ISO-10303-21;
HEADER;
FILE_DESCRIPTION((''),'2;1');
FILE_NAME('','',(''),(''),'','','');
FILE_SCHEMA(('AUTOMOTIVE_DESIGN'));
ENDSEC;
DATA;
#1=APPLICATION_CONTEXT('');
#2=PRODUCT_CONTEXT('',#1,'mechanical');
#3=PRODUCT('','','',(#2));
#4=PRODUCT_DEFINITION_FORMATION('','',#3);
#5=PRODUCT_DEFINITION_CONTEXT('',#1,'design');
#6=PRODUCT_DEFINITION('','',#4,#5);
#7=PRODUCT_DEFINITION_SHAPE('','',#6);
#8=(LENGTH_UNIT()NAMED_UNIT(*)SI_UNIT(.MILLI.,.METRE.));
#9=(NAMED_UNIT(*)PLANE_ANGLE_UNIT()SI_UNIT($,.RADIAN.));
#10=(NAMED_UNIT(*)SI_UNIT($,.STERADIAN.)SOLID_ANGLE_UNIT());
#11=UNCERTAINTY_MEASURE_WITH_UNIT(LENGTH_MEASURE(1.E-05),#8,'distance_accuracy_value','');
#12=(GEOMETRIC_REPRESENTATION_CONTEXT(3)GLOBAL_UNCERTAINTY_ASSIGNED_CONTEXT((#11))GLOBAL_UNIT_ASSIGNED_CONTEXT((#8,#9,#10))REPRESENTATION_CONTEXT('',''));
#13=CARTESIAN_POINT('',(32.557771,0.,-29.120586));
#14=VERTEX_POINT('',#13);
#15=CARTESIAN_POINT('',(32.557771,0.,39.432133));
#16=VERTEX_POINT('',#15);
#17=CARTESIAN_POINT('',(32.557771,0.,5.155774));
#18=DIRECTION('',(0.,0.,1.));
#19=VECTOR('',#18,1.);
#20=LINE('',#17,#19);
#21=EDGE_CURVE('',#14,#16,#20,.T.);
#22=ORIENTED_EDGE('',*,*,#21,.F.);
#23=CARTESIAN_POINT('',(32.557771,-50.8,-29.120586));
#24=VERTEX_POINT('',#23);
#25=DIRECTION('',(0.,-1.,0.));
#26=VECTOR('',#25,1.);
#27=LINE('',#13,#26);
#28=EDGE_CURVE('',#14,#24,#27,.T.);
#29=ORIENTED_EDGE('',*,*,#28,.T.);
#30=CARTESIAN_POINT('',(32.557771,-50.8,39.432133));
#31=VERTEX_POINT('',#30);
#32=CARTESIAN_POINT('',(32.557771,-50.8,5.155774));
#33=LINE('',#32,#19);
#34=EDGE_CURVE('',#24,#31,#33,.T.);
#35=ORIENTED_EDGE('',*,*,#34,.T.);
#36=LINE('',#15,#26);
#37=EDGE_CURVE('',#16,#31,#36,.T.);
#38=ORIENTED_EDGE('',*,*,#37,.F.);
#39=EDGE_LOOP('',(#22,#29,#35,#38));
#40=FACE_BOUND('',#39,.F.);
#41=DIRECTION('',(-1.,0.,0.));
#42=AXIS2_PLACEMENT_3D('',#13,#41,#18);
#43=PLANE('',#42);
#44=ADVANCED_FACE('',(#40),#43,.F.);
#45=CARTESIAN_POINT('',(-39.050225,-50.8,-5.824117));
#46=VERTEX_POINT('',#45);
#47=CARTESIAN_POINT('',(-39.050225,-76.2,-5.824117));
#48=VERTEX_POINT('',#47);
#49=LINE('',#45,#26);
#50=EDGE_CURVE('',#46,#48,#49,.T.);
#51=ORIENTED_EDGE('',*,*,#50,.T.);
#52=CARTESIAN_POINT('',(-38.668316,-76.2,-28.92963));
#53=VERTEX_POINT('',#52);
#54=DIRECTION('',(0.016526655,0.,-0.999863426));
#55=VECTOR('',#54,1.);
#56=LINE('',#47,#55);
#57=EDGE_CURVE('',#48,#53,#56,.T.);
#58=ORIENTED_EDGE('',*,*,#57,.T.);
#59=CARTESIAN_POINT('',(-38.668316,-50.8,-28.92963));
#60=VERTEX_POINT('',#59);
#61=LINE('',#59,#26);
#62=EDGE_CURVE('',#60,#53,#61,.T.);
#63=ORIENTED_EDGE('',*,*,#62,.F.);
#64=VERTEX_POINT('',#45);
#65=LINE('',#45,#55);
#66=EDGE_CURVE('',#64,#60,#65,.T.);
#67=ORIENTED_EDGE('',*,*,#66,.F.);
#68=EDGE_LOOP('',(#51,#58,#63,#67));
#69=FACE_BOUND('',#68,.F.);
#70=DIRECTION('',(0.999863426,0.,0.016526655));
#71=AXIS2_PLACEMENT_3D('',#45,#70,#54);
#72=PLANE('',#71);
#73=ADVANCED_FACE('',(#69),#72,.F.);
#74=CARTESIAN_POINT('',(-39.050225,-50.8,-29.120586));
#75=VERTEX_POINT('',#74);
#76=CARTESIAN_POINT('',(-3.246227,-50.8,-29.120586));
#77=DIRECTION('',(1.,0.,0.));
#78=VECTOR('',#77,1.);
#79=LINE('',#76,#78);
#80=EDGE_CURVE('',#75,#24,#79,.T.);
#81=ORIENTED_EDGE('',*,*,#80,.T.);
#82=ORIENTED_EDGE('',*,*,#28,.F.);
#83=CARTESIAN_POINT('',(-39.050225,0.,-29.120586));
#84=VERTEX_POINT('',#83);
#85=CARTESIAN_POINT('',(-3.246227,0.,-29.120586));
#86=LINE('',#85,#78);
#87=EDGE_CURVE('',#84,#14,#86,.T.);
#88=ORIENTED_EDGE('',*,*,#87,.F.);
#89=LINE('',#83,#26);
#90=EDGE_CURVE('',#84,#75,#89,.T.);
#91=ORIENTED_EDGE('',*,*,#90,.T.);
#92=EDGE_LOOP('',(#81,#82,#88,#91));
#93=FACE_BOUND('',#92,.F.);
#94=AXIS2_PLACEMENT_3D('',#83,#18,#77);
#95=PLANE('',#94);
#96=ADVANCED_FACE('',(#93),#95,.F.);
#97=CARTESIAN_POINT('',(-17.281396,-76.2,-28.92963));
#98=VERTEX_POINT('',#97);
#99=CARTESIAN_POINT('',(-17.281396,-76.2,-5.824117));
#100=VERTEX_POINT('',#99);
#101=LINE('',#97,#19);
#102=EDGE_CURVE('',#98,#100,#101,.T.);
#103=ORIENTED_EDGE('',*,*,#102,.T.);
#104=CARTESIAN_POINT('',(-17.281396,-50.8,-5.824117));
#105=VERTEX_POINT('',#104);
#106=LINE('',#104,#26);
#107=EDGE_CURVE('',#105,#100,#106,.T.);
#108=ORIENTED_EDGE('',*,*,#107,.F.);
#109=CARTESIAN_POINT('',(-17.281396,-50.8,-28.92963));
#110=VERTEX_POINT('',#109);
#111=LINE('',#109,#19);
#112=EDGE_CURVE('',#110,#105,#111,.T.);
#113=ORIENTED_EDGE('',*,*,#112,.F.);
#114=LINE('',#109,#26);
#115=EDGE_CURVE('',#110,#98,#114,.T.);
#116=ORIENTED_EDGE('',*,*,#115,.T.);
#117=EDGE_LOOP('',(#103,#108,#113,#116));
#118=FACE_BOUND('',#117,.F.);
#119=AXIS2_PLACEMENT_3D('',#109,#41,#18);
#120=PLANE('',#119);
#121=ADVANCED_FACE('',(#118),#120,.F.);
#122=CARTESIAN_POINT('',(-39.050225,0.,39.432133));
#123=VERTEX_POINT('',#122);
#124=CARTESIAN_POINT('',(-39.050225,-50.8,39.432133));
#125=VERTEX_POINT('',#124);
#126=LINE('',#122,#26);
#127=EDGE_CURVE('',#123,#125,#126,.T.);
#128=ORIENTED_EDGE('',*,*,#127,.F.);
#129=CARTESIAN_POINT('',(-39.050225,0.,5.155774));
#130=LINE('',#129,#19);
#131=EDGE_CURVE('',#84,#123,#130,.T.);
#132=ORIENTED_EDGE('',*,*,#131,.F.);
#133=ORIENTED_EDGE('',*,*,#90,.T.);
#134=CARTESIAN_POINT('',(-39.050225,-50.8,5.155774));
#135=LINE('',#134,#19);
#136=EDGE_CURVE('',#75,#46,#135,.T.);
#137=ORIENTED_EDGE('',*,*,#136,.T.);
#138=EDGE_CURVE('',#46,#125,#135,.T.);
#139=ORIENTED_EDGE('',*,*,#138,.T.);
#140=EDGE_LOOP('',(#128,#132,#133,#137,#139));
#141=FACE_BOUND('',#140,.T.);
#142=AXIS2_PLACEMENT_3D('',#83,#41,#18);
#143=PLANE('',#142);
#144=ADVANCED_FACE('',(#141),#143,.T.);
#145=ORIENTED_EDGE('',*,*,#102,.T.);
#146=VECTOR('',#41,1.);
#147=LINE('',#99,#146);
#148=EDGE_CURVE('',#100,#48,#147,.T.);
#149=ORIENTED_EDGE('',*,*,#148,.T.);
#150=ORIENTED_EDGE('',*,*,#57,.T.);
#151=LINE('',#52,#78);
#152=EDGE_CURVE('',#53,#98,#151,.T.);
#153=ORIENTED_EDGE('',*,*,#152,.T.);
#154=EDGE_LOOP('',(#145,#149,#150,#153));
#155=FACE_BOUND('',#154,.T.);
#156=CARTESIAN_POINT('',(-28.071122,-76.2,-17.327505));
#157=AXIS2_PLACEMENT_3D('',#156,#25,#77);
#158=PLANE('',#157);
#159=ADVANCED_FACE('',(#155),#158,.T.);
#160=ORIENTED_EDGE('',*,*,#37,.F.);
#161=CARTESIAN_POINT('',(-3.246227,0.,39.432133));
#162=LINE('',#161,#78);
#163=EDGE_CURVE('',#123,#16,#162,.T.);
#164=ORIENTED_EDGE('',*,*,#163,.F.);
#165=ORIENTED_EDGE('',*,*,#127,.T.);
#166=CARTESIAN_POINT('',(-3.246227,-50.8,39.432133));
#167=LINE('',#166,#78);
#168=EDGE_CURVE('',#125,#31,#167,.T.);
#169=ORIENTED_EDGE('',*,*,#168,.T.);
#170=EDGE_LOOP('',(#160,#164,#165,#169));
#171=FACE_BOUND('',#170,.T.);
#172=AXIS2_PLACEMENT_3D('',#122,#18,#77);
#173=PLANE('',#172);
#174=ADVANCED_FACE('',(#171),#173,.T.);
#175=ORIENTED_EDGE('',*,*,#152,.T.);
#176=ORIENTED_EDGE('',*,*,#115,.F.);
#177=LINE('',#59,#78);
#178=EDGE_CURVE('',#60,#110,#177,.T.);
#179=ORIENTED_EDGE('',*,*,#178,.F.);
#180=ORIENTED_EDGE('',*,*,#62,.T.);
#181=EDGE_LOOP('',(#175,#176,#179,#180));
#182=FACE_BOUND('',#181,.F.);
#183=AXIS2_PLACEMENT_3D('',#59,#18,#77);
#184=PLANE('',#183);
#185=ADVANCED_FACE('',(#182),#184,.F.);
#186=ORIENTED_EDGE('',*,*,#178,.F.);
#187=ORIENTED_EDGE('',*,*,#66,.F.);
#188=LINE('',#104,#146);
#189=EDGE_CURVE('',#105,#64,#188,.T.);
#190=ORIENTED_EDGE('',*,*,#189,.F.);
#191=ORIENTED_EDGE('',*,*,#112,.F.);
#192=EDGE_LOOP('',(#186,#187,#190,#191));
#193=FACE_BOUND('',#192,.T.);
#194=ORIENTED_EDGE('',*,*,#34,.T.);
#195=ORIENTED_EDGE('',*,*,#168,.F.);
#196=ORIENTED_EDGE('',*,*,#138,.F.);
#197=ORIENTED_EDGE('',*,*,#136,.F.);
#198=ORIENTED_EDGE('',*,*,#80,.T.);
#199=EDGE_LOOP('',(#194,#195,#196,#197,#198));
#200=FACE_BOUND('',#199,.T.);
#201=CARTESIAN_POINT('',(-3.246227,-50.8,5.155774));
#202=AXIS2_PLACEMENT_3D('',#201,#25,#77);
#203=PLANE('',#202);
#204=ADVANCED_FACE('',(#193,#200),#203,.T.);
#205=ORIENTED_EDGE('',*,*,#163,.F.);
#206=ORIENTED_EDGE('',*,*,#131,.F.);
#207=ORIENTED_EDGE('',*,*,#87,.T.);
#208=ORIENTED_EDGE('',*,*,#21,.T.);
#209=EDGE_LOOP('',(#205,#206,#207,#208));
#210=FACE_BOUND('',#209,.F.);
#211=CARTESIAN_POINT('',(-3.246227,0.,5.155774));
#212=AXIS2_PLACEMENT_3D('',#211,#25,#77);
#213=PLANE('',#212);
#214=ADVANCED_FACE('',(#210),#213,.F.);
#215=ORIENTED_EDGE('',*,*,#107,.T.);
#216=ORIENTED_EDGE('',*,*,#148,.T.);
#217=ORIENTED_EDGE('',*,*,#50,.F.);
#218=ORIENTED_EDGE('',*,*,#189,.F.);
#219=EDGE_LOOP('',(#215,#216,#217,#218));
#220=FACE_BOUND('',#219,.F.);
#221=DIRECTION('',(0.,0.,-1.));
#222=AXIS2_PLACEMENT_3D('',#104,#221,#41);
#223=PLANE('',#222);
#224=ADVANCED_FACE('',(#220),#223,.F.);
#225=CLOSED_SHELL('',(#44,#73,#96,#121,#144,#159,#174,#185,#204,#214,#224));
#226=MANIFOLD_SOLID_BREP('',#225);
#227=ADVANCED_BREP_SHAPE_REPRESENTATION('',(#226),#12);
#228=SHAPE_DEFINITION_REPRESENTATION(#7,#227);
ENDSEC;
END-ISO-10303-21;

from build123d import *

# Parameters (mm, degrees)
F0_W     = 71.607996
F0_H     = 68.552719
F1_DEPTH = 50.8
F4_DEPTH = 25.4


with BuildPart() as f1:
    # F0 (on Front) → F1 (new body)
    with BuildSketch(Plane.XZ):
        with Locations((-3.246227, 5.155774)):
            Rectangle(F0_W, F0_H)
    extrude(amount=F1_DEPTH)

    # F3 (on face) → F4 (join)
    with BuildSketch(Plane.XZ.offset(50.8)):
        Polygon((-39.050225, -5.824117), (-38.668316, -28.92963), (-17.281396, -28.92963), (-17.281396, -5.824117), align=None)
    extrude(amount=F4_DEPTH)


solid = f1.part
